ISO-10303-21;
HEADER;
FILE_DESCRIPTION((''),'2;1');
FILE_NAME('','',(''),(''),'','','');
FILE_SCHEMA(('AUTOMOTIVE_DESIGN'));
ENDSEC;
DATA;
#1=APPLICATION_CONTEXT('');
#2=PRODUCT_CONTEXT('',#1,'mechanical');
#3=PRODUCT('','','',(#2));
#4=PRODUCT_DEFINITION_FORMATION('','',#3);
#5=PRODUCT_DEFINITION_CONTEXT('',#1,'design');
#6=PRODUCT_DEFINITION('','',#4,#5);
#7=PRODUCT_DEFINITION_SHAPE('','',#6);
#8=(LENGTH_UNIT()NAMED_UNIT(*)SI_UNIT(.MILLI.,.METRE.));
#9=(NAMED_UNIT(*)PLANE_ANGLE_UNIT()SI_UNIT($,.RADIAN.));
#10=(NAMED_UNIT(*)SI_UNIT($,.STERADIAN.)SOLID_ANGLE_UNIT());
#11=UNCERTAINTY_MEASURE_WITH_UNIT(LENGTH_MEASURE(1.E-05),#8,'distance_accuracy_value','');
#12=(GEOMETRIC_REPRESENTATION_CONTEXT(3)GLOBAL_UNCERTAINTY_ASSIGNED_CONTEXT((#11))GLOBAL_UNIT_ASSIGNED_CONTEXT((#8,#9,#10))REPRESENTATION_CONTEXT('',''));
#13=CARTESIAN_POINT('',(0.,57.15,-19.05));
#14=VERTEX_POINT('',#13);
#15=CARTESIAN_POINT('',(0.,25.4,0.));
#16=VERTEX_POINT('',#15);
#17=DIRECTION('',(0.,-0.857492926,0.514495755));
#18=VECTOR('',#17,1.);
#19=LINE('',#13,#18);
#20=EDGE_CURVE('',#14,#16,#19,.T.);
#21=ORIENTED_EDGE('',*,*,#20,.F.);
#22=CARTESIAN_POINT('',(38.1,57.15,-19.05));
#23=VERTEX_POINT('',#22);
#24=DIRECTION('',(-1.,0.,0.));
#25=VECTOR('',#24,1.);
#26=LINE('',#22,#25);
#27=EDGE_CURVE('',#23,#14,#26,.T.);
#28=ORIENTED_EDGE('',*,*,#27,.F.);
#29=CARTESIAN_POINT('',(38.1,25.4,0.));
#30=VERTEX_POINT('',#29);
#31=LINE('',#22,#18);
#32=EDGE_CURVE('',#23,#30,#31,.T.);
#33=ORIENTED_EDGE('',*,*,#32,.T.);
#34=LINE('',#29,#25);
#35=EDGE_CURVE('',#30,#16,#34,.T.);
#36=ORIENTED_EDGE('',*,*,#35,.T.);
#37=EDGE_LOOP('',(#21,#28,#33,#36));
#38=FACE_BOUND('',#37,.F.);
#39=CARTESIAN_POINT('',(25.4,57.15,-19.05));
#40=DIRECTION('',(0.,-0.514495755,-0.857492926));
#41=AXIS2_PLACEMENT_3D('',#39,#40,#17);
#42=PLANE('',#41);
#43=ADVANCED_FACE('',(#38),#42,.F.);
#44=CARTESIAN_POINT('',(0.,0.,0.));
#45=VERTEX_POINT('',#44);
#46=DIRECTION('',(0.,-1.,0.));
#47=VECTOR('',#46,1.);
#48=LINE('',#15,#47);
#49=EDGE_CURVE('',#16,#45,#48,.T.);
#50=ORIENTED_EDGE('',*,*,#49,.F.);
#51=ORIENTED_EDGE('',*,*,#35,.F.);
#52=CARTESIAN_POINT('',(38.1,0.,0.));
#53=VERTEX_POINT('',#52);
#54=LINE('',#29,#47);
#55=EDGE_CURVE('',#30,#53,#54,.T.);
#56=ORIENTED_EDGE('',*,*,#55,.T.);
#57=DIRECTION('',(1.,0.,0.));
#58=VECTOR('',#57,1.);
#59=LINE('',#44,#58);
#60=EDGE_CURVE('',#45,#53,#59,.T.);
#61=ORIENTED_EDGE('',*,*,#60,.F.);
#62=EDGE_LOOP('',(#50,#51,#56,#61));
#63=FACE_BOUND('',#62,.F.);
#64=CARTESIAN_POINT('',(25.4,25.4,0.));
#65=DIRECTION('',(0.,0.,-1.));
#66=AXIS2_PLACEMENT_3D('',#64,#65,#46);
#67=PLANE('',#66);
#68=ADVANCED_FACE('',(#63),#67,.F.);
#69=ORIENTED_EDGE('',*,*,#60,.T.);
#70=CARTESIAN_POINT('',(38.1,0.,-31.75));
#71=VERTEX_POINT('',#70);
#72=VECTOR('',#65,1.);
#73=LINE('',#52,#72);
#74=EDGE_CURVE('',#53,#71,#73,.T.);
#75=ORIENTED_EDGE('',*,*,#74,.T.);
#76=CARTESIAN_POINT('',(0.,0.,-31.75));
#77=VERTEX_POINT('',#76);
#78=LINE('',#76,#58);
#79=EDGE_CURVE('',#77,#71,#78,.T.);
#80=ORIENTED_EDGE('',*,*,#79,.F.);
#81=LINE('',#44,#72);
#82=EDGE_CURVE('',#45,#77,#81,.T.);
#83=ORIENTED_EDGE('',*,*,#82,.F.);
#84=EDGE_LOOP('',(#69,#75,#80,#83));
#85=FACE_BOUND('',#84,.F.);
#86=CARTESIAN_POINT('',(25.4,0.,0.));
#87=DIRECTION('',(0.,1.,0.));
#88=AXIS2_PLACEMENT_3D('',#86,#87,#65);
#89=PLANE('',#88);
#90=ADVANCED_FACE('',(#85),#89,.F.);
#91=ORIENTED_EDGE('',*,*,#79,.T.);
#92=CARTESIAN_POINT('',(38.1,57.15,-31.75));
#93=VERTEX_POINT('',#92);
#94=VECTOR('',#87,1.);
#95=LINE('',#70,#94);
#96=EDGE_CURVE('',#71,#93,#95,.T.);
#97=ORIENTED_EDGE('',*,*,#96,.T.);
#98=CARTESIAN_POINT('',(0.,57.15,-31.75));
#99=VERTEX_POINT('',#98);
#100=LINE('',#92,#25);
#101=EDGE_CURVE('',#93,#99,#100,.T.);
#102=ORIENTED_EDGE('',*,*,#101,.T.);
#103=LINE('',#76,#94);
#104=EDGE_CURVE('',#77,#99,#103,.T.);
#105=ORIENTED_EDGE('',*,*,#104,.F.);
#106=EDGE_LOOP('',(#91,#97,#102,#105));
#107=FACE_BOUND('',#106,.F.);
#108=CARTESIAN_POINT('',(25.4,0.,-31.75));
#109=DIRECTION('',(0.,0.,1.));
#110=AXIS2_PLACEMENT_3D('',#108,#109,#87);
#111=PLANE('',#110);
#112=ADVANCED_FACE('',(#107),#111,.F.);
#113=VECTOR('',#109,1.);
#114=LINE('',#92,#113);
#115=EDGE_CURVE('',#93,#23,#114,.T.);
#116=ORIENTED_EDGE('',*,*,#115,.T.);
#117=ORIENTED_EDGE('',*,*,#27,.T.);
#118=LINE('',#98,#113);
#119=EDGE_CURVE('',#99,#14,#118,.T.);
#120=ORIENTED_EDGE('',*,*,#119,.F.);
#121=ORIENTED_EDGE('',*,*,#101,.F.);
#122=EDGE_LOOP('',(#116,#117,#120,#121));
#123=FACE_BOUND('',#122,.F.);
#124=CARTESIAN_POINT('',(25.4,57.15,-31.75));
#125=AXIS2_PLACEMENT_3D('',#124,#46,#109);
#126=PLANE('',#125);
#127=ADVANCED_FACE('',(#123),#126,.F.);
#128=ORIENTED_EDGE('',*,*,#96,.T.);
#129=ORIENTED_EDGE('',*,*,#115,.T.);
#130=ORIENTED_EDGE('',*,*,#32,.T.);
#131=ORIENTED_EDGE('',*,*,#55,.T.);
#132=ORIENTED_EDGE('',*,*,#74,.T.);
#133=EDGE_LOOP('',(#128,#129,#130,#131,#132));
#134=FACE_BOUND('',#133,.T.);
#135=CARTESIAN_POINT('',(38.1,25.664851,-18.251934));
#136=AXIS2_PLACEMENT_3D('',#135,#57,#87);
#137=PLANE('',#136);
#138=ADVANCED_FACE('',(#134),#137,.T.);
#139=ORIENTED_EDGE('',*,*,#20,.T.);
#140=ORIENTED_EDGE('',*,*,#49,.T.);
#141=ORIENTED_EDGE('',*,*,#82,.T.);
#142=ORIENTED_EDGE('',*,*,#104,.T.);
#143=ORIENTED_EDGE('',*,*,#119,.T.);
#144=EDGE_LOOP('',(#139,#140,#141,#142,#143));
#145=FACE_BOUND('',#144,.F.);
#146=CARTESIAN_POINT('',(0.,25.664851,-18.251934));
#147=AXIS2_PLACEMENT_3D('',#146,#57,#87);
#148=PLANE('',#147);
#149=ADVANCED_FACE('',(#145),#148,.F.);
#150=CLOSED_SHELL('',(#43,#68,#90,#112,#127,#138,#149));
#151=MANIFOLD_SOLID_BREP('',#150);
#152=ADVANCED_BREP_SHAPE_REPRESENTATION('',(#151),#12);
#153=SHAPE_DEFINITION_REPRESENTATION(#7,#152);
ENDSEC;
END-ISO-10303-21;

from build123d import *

# Parameters (mm, degrees)
F1_DEPTH = 25.4
F2_DEPTH = 12.7


with BuildPart() as f1:
    # F0 (on Right) → F1 (new body)
    with BuildSketch(Plane.YZ):
        Polygon((25.4, 0), (0, 0), (0, -31.75), (57.15, -31.75), (57.15, -19.05), align=None)
    extrude(amount=F1_DEPTH)

    # F1_face (on face) → F2 (join)
    with BuildSketch(Plane(origin=(25.4, 24.976667, -17.78), x_dir=(0, 1, 0), z_dir=(1, 0, 0))):
        Polygon((0.423333, 17.78), (-24.976667, 17.78), (-24.976667, -13.97), (32.173333, -13.97), (32.173333, -1.27), align=None)
    extrude(amount=F2_DEPTH)


solid = f1.part
